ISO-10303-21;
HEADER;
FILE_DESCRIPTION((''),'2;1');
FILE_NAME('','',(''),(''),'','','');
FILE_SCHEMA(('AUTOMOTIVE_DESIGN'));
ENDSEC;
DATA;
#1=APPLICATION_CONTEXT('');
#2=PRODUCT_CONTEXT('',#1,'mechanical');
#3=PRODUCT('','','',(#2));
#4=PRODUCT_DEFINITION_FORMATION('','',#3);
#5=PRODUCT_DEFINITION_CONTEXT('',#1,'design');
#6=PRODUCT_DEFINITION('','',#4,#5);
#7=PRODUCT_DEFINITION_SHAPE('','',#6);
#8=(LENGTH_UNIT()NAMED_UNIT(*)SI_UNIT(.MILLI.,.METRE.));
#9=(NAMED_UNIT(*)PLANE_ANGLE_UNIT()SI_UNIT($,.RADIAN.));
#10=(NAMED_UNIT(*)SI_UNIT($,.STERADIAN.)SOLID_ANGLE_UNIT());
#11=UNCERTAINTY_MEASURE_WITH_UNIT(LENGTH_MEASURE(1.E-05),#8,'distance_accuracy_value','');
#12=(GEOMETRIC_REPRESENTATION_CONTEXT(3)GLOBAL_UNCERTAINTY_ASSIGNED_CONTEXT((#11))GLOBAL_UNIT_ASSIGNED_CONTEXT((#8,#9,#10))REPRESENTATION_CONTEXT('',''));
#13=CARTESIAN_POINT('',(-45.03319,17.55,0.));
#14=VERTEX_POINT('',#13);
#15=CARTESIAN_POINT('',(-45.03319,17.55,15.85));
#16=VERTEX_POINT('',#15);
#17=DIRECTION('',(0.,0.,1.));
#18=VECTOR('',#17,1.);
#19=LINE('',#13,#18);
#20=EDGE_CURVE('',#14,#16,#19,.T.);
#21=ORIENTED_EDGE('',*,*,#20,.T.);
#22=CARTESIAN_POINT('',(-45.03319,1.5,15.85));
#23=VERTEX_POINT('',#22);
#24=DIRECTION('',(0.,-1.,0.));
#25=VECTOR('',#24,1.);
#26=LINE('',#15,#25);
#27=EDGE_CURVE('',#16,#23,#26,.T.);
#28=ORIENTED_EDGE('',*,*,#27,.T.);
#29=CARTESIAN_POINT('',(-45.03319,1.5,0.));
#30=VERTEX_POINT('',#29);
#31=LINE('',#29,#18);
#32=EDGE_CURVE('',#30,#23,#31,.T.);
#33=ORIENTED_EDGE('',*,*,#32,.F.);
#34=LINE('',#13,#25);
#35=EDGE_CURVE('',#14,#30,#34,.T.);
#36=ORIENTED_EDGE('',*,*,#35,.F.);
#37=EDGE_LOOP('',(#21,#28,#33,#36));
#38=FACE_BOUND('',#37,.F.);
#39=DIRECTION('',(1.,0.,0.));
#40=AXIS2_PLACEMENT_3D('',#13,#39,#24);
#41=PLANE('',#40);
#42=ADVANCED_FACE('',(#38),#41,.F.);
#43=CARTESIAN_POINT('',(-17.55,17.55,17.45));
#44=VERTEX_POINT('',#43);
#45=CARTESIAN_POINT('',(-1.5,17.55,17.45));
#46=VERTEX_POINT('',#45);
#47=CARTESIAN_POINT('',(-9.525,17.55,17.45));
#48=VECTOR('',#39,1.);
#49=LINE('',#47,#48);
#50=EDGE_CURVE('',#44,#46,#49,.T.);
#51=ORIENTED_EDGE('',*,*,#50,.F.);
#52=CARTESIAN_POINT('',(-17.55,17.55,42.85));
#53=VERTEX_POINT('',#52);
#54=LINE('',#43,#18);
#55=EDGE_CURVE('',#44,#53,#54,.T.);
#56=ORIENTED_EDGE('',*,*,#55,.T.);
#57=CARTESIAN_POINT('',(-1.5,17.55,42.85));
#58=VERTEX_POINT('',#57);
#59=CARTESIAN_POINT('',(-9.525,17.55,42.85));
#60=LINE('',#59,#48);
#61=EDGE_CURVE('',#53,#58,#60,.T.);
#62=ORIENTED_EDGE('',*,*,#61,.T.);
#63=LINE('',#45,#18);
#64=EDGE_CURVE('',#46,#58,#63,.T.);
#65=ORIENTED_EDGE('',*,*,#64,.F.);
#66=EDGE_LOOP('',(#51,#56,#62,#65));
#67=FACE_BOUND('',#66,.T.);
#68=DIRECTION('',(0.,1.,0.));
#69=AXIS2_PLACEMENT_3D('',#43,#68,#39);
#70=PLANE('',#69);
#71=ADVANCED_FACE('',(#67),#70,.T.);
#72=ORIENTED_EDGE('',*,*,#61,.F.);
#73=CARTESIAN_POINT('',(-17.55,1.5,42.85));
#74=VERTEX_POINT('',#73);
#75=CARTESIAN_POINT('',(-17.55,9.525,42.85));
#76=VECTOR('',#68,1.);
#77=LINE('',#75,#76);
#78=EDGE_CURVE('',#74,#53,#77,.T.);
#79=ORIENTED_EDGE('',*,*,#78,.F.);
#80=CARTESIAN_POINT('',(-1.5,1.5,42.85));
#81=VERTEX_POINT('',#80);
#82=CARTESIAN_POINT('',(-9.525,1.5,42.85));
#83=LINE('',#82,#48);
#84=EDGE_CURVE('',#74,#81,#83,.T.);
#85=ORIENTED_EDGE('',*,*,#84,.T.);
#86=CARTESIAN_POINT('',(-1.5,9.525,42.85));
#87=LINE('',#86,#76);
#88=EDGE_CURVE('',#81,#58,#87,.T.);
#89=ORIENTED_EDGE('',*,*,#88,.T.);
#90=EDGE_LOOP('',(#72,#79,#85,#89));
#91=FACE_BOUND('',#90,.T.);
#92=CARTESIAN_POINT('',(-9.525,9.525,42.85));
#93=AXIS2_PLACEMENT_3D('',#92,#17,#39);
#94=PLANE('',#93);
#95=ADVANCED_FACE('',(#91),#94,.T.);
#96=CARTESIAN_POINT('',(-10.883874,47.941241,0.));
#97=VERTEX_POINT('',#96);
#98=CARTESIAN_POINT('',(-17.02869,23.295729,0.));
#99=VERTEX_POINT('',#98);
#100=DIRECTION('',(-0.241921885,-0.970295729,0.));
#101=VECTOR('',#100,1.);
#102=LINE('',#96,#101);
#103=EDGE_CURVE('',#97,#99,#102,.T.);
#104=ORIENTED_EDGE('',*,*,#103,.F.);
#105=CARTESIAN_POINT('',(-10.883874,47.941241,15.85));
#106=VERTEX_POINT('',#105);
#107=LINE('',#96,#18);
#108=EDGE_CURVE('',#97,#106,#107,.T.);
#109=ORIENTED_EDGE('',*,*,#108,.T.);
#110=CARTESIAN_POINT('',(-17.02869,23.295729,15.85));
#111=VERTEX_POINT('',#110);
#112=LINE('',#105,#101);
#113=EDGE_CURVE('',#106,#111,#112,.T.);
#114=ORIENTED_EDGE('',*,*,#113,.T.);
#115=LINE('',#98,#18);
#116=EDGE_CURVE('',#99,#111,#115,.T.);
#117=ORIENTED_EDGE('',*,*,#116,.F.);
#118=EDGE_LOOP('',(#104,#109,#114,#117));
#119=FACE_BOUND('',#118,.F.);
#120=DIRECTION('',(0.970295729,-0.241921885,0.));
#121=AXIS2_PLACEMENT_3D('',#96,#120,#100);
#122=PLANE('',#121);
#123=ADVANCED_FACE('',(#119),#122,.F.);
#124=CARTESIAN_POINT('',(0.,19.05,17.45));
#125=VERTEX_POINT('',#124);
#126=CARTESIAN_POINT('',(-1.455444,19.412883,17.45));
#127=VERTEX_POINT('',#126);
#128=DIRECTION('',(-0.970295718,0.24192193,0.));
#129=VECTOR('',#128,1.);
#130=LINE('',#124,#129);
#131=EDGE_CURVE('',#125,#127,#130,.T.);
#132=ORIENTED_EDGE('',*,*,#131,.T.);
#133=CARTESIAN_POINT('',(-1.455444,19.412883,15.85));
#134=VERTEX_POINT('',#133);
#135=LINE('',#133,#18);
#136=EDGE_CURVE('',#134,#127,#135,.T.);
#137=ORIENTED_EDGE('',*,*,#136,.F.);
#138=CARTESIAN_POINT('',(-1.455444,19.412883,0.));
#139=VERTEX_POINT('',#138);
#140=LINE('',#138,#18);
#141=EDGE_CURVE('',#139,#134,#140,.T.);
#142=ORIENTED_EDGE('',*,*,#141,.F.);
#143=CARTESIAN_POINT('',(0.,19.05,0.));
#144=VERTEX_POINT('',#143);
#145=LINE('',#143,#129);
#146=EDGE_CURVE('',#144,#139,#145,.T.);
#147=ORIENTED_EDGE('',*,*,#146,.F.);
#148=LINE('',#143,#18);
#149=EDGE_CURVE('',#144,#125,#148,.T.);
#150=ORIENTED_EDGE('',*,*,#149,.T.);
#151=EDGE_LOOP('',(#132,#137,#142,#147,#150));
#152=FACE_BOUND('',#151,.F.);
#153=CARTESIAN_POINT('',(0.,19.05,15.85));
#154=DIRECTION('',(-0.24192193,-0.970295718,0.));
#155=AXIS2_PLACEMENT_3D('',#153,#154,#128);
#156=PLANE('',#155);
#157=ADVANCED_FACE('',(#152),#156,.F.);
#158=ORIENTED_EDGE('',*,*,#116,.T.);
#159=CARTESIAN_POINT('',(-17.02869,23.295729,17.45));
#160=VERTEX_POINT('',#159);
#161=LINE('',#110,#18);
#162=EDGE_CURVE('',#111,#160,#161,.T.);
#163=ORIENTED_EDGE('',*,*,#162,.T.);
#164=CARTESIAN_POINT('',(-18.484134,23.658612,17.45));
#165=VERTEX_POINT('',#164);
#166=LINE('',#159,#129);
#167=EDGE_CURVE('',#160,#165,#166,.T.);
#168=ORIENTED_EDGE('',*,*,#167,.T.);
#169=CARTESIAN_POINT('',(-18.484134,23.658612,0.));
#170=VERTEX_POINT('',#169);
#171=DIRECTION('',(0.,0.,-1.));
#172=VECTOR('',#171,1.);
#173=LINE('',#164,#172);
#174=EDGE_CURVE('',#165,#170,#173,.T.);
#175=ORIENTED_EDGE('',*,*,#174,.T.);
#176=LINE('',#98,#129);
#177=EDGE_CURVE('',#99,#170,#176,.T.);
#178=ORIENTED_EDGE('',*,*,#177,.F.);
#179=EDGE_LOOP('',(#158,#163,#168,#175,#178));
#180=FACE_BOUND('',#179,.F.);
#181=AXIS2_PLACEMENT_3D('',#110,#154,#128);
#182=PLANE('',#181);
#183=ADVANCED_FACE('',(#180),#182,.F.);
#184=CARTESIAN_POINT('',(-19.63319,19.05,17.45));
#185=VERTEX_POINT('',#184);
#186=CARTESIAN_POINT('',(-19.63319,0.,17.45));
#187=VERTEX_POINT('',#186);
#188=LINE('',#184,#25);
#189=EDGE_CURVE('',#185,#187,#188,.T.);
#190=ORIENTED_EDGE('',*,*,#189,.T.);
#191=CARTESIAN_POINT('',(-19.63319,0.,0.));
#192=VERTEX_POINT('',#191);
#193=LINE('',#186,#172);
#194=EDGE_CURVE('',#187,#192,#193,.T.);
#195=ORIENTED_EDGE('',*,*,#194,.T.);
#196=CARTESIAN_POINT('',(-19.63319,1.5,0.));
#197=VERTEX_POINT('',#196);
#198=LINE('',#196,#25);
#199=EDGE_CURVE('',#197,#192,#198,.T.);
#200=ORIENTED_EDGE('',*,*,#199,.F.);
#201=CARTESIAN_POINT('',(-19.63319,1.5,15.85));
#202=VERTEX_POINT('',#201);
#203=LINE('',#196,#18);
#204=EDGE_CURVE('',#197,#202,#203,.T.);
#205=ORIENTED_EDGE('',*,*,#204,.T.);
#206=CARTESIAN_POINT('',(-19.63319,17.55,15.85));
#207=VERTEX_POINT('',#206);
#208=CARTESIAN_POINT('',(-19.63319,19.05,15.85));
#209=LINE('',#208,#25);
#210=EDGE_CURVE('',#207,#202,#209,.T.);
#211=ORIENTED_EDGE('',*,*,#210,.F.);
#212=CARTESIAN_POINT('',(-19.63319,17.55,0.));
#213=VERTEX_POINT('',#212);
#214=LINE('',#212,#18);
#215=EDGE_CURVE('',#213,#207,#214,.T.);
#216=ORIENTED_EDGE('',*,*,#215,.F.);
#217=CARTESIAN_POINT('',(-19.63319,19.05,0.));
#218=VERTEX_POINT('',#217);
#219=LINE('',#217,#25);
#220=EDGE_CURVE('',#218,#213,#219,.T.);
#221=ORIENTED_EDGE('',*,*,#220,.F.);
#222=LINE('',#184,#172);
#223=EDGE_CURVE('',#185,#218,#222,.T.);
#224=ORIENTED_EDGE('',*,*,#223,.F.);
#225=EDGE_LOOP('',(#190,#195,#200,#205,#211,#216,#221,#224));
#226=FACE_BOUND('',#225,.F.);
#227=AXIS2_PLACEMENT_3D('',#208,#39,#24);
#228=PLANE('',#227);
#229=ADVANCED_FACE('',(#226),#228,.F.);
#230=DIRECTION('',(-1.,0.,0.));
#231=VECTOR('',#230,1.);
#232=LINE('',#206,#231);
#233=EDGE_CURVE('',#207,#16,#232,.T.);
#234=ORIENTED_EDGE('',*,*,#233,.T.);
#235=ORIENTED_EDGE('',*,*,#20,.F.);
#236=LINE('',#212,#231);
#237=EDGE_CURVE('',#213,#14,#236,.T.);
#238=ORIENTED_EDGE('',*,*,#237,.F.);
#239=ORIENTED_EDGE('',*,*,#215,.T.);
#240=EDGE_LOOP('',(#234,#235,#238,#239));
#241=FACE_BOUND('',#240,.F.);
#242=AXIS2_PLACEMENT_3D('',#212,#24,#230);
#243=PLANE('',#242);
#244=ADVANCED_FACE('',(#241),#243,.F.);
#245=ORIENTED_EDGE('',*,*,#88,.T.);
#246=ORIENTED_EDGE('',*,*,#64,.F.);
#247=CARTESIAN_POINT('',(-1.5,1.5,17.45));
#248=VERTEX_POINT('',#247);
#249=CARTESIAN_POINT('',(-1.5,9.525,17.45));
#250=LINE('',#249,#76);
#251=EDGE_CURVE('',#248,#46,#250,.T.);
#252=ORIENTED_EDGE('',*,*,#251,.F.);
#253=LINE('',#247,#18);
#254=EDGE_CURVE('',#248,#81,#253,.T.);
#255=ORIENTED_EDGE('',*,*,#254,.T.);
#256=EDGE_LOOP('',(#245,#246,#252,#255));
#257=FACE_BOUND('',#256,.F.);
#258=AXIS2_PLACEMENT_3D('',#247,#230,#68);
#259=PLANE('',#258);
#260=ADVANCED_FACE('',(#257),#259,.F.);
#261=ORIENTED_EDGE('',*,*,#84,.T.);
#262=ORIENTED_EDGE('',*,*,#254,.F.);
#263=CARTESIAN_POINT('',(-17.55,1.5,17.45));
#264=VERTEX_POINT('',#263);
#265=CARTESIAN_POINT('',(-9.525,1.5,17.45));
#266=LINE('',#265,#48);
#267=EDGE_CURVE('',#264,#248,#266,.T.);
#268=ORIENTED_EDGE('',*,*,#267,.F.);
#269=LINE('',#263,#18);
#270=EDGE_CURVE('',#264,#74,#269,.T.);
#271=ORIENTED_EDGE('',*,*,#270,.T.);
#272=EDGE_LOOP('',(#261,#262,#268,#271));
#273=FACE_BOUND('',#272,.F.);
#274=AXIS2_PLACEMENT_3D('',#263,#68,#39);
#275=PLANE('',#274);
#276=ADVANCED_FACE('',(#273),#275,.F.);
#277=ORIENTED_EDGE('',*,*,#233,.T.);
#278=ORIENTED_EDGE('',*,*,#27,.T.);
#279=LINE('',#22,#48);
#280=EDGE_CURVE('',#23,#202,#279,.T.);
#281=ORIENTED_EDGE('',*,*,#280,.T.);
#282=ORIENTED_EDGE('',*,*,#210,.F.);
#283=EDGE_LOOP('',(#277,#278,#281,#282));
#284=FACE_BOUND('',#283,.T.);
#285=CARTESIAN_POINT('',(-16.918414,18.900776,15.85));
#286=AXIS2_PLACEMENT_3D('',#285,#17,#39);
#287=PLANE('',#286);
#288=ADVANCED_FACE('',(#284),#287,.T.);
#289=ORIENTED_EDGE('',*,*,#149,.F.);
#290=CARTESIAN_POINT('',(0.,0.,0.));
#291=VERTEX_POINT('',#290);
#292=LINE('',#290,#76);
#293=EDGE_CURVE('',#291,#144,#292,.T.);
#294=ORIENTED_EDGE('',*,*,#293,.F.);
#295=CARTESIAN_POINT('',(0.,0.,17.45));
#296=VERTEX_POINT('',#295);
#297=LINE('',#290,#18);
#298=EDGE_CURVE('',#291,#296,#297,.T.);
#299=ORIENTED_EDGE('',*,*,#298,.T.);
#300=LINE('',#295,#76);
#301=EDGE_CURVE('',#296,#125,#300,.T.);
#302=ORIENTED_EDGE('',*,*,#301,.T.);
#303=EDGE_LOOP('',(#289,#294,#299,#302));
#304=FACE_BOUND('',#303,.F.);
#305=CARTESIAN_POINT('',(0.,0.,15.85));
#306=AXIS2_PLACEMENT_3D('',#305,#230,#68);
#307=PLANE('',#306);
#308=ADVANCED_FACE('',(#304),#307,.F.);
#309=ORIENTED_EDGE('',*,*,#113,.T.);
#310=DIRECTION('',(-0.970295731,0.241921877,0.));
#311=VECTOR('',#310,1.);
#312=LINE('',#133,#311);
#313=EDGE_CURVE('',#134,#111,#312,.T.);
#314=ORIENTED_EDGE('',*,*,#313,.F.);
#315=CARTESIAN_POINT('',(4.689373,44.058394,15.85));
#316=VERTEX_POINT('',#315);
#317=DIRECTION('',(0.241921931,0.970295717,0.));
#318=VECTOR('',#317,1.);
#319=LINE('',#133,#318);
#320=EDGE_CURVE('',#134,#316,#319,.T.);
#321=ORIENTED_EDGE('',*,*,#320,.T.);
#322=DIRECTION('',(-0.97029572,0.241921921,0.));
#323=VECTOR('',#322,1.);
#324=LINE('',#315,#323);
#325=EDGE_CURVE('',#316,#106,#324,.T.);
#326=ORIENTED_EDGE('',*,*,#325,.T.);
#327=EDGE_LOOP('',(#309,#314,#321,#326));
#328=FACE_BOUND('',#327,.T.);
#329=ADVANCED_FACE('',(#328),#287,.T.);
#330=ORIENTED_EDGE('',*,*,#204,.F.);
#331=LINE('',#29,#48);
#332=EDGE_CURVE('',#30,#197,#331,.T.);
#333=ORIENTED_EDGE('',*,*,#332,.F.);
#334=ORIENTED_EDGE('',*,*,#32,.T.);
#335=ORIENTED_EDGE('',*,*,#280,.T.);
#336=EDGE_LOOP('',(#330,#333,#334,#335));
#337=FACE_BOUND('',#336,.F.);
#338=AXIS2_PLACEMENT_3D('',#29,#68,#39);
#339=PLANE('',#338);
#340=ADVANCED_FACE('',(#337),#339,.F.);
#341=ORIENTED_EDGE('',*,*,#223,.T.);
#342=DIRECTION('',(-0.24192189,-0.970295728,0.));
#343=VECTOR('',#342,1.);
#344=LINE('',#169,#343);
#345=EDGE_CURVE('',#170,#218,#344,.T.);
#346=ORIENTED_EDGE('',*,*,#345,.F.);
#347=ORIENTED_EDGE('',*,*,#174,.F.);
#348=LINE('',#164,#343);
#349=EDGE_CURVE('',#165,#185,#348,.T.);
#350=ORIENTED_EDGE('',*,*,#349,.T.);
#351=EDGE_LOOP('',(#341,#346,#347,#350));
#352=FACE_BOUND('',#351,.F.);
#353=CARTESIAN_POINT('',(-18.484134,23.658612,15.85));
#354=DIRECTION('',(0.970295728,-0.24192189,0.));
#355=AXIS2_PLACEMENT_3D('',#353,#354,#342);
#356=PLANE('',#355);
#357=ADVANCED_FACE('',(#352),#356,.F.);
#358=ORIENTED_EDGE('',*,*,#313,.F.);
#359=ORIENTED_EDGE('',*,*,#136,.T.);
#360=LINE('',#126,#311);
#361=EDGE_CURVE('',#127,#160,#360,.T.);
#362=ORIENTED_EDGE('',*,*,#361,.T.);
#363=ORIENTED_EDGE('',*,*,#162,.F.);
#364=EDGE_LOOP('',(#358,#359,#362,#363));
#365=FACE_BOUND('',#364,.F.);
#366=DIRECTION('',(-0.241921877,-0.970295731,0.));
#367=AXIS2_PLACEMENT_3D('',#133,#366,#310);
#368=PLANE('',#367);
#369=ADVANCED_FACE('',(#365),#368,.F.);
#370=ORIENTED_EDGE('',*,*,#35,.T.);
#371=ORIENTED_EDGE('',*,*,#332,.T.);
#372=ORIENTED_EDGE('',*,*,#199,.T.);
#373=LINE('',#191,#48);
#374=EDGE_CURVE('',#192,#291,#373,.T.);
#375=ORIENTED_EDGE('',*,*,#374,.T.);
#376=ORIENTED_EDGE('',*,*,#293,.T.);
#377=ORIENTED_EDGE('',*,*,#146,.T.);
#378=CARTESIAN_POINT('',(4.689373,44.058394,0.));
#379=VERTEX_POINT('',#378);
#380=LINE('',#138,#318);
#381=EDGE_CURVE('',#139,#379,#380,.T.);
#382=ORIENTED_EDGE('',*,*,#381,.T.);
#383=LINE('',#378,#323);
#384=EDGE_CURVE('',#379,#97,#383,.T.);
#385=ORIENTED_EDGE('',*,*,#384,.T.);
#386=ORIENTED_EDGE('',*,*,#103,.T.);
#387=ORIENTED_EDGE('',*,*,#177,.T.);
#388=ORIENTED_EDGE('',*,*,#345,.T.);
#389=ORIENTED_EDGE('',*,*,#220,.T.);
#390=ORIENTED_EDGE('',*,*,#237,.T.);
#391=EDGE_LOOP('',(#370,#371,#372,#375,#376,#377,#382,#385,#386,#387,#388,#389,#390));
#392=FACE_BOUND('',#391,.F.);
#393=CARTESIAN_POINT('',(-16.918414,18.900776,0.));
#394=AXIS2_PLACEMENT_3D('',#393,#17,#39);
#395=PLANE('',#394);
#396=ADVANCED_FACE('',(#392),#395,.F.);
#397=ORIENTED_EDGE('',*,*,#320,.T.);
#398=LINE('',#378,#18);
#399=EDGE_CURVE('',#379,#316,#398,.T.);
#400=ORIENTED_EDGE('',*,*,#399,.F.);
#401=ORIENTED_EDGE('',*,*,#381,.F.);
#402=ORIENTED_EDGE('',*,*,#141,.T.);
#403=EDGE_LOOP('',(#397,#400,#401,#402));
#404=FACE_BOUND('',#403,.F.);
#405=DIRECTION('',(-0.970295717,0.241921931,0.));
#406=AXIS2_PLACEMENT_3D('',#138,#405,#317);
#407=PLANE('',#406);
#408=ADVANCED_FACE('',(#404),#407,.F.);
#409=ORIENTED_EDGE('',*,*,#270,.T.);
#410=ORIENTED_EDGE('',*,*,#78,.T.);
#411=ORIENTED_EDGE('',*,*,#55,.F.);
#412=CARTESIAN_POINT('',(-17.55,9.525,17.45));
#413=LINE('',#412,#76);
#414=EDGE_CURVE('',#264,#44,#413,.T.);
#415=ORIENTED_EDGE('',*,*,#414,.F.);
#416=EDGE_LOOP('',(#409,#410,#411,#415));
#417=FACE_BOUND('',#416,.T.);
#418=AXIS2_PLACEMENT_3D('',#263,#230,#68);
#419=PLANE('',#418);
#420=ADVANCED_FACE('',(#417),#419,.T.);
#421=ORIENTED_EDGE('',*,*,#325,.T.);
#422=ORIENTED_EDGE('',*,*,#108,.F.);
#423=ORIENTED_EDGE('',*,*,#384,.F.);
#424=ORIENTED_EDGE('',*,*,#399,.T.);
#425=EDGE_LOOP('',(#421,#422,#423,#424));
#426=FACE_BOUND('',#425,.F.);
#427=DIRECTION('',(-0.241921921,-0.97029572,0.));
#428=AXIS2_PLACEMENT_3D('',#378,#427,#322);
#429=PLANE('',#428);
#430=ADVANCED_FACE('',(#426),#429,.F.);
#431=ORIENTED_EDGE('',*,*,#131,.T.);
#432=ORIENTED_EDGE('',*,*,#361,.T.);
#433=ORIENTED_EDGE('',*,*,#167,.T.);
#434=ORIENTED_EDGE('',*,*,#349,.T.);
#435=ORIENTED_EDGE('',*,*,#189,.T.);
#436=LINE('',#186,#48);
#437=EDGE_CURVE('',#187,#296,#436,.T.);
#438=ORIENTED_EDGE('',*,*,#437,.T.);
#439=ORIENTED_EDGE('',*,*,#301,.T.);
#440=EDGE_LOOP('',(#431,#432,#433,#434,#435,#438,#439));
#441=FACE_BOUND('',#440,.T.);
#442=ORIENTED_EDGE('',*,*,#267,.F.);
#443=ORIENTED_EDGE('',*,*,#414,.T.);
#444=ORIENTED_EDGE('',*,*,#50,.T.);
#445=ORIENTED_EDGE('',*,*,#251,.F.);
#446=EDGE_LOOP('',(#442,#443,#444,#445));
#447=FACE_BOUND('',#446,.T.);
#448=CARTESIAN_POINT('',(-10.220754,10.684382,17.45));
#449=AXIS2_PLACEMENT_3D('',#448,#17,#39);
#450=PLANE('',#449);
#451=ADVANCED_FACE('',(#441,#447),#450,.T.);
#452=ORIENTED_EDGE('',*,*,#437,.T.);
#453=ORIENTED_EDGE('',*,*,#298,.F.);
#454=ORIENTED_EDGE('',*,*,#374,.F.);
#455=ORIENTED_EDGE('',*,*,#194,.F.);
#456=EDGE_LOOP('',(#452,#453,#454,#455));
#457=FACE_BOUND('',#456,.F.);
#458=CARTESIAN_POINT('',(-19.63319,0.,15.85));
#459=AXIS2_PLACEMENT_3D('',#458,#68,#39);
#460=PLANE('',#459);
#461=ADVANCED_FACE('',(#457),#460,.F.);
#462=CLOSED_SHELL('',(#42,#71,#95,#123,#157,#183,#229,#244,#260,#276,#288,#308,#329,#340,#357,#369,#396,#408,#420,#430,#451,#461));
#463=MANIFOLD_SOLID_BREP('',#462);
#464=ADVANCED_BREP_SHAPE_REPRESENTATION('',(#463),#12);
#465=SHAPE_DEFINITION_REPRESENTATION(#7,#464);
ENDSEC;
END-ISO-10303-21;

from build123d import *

# Parameters (mm, degrees)
F1_DEPTH = 15.85
F3_DEPTH = 1.6
F4_W     = 16.05
F4_H     = 16.05
F5_DEPTH = 25.4


with BuildPart() as f1:
    # F0 (on Top) → F1 (new body)
    with BuildSketch(Plane.XY):
        Polygon((-19.63319, 0), (0, 0), (0, 19.05), (-1.455444, 19.412883), (4.689373, 44.058394), (-10.883874, 47.941241), (-17.02869, 23.295729), (-18.484134, 23.658612), (-19.63319, 19.05), (-19.63319, 17.55), (-45.03319, 17.55), (-45.03319, 1.5), (-19.63319, 1.5), align=None)
    extrude(amount=F1_DEPTH)

    # F2 (on face) → F3 (join)
    with BuildSketch(Plane.XY.offset(15.85)):
        Polygon((-19.63319, 1.5), (-19.63319, 0), (0, 0), (0, 19.05), (-1.455444, 19.412883), (-17.02869, 23.295729), (-18.484134, 23.658612), (-19.63319, 19.05), (-19.63319, 17.55), align=None)
    extrude(amount=F3_DEPTH)

    # F4 (on face) → F5 (join)
    with BuildSketch(Plane.XY.offset(17.45)):
        with Locations((-9.525, 9.525)):
            Rectangle(F4_W, F4_H)
    extrude(amount=F5_DEPTH)


solid = f1.part
